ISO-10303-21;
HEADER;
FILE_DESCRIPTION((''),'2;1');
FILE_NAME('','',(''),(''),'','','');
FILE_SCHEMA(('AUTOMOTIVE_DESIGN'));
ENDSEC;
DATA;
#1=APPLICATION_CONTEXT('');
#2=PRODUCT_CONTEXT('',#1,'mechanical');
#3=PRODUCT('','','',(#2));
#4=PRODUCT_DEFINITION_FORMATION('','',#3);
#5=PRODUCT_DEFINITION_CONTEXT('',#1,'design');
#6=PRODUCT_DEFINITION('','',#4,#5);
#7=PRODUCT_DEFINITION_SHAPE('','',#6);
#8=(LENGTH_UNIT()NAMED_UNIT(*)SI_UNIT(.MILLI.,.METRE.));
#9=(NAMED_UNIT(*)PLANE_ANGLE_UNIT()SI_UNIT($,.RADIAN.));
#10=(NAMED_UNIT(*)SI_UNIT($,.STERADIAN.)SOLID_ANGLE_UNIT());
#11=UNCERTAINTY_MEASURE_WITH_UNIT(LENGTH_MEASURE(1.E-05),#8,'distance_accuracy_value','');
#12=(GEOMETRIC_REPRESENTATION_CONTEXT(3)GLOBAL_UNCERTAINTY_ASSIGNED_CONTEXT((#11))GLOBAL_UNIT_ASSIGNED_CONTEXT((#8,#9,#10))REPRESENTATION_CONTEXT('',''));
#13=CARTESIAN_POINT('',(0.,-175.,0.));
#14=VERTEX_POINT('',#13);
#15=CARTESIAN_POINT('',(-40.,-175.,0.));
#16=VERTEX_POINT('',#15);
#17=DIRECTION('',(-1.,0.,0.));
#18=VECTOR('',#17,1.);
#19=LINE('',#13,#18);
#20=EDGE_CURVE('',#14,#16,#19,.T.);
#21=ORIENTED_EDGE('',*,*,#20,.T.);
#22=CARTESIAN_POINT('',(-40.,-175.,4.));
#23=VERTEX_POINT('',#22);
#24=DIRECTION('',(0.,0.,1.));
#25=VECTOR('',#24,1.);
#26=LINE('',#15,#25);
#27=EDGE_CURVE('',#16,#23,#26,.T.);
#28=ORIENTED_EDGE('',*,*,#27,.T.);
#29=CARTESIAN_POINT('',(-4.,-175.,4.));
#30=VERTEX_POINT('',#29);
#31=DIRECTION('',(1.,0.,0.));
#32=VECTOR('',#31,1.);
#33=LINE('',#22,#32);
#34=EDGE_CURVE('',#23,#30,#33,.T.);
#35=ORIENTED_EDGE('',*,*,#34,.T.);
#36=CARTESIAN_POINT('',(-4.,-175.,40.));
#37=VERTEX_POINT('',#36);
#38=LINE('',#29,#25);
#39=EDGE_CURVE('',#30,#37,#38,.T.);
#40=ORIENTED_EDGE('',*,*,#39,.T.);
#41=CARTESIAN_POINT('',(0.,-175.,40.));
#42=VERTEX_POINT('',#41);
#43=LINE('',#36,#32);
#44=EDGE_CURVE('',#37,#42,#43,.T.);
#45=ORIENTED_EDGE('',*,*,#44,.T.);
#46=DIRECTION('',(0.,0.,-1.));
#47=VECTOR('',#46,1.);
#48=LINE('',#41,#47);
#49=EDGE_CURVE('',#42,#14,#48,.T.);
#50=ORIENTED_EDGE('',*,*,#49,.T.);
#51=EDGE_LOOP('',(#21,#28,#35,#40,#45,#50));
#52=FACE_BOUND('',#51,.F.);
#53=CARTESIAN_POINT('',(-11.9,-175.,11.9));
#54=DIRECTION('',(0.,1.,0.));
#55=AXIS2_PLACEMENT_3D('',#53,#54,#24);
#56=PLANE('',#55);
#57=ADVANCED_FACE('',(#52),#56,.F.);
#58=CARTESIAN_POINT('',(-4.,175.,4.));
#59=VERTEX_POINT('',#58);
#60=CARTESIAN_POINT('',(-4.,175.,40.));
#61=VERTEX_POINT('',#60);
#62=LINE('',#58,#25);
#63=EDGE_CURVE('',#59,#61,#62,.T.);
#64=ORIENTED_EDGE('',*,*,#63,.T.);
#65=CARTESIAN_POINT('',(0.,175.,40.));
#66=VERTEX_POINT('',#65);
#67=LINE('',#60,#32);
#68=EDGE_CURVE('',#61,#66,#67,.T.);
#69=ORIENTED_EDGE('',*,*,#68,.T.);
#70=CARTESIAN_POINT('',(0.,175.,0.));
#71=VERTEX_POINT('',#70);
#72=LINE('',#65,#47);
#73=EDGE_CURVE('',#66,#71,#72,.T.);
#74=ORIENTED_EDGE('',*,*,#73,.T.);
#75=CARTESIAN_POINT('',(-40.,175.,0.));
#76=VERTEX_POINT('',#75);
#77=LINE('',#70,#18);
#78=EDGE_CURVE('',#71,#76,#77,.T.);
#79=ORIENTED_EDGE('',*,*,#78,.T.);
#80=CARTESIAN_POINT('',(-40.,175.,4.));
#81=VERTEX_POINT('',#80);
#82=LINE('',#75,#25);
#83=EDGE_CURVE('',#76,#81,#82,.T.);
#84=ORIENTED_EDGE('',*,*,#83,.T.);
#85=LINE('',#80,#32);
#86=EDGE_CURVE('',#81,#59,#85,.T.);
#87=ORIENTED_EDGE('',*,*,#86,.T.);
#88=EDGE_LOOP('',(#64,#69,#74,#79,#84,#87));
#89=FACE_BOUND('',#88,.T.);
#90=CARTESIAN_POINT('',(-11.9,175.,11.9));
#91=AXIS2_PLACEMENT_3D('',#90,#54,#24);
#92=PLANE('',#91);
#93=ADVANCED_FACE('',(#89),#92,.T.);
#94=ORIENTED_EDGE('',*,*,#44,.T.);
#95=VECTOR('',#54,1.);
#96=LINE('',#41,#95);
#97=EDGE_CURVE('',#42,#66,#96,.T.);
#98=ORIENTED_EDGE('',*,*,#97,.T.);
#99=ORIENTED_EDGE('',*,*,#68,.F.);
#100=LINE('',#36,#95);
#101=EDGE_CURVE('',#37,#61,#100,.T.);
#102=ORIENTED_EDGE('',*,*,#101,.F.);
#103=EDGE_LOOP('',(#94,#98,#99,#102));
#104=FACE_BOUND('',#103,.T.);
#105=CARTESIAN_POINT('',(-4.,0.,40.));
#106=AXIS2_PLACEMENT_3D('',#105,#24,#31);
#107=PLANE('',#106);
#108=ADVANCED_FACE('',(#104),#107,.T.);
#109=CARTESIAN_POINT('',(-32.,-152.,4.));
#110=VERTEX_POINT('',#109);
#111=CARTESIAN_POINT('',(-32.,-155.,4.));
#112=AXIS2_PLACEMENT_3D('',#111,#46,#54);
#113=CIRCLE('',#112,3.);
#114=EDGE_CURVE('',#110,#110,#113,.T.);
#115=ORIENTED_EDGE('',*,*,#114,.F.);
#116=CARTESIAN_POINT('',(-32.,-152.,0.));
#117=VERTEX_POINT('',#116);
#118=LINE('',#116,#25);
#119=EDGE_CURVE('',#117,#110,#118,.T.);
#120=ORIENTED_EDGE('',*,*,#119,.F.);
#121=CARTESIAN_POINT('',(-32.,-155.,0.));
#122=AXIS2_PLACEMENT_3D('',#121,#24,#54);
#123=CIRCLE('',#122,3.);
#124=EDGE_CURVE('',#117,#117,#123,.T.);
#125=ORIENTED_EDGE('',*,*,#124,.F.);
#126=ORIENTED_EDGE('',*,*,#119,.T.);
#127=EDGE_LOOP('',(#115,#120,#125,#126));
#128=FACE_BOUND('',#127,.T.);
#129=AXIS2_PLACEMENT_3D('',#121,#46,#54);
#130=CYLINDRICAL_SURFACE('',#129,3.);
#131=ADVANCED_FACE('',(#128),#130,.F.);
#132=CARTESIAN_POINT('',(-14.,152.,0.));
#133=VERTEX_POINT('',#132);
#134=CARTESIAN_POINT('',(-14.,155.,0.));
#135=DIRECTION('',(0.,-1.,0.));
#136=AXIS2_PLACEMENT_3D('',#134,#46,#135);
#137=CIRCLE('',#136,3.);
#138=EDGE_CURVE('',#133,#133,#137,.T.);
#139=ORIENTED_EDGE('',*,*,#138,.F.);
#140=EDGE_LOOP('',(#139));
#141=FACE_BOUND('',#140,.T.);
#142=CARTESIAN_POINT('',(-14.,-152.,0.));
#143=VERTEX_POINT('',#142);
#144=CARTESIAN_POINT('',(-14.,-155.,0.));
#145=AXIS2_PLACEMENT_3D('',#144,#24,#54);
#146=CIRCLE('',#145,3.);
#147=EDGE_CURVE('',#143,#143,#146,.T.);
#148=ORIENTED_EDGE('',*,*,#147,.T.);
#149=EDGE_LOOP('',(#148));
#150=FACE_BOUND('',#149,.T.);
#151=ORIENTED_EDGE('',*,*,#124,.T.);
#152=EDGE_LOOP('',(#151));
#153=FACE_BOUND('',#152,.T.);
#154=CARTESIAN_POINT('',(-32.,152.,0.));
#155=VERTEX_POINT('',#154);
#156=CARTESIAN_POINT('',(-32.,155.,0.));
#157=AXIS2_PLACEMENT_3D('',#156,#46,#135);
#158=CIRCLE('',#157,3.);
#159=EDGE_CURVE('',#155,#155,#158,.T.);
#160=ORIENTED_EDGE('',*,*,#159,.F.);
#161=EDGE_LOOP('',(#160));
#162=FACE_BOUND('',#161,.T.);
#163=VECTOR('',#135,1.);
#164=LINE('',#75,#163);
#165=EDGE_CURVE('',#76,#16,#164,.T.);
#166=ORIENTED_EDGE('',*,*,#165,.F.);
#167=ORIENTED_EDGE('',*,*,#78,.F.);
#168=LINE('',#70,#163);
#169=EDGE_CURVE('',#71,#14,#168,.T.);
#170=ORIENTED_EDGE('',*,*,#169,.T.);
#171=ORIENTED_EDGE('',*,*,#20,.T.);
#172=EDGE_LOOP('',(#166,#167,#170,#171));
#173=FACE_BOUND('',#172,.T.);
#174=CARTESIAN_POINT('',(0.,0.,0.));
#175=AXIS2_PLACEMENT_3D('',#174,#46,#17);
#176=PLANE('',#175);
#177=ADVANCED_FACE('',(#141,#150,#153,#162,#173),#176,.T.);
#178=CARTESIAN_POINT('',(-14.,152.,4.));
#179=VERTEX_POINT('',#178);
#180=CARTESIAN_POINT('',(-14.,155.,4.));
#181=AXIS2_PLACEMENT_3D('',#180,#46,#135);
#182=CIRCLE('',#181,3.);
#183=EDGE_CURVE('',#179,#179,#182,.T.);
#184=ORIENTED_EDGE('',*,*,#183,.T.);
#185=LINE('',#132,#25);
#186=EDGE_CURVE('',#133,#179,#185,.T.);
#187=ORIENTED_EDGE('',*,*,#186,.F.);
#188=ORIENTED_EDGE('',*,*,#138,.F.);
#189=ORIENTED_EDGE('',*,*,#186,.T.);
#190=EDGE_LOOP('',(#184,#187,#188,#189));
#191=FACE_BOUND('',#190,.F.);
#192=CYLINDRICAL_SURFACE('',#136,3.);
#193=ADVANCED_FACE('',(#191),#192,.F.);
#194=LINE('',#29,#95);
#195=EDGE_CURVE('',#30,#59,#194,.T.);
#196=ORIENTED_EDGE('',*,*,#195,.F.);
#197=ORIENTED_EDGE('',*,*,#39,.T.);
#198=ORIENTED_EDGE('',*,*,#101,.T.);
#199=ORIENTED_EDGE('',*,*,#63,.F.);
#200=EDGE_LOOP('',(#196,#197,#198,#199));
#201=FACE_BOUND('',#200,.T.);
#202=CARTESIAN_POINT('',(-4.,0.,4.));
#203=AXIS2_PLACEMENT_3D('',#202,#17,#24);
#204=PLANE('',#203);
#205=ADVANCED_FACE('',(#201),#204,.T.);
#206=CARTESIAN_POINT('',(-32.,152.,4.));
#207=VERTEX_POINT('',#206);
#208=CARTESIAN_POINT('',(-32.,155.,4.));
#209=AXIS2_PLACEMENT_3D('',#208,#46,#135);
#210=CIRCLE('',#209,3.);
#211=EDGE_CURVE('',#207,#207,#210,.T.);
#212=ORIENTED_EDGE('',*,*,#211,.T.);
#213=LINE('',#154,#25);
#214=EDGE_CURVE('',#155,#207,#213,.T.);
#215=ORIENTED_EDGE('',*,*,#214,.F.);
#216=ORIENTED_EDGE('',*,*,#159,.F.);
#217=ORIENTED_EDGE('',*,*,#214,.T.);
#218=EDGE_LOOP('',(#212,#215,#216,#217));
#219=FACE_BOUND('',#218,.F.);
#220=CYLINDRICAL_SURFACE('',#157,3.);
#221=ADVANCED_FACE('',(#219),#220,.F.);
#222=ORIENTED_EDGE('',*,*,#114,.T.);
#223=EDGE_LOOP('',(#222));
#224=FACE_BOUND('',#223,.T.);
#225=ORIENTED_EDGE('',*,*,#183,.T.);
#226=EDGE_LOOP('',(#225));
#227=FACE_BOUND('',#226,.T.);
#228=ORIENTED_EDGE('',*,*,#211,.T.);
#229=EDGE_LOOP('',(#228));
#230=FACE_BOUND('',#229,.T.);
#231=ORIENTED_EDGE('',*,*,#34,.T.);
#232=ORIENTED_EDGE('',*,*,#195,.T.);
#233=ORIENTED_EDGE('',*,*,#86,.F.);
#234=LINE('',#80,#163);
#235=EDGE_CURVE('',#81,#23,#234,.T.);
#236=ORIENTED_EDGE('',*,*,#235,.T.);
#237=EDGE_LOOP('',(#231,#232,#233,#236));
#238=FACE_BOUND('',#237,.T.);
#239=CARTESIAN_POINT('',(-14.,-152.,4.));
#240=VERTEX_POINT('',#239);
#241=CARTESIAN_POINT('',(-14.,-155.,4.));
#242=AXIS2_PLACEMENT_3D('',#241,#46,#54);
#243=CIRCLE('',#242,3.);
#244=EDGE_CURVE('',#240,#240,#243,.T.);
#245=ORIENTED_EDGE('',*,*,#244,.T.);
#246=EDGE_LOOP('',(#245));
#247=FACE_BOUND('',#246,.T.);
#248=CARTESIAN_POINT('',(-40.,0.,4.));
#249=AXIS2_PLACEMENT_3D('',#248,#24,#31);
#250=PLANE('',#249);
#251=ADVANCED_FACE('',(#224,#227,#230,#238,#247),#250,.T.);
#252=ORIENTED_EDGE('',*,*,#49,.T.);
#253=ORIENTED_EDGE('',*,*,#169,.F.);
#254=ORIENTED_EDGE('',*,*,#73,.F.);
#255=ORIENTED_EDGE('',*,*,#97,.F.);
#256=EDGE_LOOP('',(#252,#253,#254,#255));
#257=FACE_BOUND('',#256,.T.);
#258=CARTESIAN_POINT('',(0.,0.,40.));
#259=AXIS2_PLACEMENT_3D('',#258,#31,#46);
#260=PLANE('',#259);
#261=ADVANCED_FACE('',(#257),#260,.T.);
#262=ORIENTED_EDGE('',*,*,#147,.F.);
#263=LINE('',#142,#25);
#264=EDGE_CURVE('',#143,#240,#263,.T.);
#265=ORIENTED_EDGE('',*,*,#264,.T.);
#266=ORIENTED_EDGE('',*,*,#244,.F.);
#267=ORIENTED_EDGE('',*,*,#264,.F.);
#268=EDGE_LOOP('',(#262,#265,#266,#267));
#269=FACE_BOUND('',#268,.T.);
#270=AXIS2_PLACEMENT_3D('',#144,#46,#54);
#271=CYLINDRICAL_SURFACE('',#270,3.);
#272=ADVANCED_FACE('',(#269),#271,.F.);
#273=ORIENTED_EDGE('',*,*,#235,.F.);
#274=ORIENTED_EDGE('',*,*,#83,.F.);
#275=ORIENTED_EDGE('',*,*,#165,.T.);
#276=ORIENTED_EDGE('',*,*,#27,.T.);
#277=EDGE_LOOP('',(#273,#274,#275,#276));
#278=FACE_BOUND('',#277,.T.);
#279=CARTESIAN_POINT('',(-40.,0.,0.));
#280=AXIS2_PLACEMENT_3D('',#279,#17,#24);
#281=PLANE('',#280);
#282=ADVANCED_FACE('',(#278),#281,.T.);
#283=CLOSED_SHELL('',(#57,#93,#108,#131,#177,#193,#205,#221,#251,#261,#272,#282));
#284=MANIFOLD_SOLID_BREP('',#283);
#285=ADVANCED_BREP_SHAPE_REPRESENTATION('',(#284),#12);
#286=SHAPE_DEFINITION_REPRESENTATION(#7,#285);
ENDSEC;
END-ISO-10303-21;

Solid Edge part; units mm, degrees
sketch "Sketch1" plane through (-9.04, 0, 33.0648) normal (0, -1, 0) x (1, 0, 0)
  line L0 (-30.96, -29.0648) -> (5.04, -29.0648)
  line L1 (5.04, -29.0648) -> (5.04, 6.9352)
  line L2 (5.04, 6.9352) -> (9.04, 6.9352)
  line L3 (9.04, 6.9352) -> (9.04, -33.0648)
  line L4 (9.04, -33.0648) -> (-30.96, -33.0648)
  line L5 (-30.96, -33.0648) -> (-30.96, -29.0648)
extrude "Protrusion1" add sketch "Sketch1" along normal mid plane 350
sketch "Sketch2" plane through (-20, 0, 0) normal (0, 0, -1) x (0, -1, 0)
  circle A0 centre (-155, 12) radius 3
  circle A1 centre (-155, -6) radius 3
  dimension "D1" = 10
  dimension "D2" = 18
  dimension "D3" = 20
extrude "Cutout1" cut sketch "Sketch2" against normal through all
mirror "Mirror1" about plane through (0, 0, 0) normal (0, -1, 0) of "Cutout1"
